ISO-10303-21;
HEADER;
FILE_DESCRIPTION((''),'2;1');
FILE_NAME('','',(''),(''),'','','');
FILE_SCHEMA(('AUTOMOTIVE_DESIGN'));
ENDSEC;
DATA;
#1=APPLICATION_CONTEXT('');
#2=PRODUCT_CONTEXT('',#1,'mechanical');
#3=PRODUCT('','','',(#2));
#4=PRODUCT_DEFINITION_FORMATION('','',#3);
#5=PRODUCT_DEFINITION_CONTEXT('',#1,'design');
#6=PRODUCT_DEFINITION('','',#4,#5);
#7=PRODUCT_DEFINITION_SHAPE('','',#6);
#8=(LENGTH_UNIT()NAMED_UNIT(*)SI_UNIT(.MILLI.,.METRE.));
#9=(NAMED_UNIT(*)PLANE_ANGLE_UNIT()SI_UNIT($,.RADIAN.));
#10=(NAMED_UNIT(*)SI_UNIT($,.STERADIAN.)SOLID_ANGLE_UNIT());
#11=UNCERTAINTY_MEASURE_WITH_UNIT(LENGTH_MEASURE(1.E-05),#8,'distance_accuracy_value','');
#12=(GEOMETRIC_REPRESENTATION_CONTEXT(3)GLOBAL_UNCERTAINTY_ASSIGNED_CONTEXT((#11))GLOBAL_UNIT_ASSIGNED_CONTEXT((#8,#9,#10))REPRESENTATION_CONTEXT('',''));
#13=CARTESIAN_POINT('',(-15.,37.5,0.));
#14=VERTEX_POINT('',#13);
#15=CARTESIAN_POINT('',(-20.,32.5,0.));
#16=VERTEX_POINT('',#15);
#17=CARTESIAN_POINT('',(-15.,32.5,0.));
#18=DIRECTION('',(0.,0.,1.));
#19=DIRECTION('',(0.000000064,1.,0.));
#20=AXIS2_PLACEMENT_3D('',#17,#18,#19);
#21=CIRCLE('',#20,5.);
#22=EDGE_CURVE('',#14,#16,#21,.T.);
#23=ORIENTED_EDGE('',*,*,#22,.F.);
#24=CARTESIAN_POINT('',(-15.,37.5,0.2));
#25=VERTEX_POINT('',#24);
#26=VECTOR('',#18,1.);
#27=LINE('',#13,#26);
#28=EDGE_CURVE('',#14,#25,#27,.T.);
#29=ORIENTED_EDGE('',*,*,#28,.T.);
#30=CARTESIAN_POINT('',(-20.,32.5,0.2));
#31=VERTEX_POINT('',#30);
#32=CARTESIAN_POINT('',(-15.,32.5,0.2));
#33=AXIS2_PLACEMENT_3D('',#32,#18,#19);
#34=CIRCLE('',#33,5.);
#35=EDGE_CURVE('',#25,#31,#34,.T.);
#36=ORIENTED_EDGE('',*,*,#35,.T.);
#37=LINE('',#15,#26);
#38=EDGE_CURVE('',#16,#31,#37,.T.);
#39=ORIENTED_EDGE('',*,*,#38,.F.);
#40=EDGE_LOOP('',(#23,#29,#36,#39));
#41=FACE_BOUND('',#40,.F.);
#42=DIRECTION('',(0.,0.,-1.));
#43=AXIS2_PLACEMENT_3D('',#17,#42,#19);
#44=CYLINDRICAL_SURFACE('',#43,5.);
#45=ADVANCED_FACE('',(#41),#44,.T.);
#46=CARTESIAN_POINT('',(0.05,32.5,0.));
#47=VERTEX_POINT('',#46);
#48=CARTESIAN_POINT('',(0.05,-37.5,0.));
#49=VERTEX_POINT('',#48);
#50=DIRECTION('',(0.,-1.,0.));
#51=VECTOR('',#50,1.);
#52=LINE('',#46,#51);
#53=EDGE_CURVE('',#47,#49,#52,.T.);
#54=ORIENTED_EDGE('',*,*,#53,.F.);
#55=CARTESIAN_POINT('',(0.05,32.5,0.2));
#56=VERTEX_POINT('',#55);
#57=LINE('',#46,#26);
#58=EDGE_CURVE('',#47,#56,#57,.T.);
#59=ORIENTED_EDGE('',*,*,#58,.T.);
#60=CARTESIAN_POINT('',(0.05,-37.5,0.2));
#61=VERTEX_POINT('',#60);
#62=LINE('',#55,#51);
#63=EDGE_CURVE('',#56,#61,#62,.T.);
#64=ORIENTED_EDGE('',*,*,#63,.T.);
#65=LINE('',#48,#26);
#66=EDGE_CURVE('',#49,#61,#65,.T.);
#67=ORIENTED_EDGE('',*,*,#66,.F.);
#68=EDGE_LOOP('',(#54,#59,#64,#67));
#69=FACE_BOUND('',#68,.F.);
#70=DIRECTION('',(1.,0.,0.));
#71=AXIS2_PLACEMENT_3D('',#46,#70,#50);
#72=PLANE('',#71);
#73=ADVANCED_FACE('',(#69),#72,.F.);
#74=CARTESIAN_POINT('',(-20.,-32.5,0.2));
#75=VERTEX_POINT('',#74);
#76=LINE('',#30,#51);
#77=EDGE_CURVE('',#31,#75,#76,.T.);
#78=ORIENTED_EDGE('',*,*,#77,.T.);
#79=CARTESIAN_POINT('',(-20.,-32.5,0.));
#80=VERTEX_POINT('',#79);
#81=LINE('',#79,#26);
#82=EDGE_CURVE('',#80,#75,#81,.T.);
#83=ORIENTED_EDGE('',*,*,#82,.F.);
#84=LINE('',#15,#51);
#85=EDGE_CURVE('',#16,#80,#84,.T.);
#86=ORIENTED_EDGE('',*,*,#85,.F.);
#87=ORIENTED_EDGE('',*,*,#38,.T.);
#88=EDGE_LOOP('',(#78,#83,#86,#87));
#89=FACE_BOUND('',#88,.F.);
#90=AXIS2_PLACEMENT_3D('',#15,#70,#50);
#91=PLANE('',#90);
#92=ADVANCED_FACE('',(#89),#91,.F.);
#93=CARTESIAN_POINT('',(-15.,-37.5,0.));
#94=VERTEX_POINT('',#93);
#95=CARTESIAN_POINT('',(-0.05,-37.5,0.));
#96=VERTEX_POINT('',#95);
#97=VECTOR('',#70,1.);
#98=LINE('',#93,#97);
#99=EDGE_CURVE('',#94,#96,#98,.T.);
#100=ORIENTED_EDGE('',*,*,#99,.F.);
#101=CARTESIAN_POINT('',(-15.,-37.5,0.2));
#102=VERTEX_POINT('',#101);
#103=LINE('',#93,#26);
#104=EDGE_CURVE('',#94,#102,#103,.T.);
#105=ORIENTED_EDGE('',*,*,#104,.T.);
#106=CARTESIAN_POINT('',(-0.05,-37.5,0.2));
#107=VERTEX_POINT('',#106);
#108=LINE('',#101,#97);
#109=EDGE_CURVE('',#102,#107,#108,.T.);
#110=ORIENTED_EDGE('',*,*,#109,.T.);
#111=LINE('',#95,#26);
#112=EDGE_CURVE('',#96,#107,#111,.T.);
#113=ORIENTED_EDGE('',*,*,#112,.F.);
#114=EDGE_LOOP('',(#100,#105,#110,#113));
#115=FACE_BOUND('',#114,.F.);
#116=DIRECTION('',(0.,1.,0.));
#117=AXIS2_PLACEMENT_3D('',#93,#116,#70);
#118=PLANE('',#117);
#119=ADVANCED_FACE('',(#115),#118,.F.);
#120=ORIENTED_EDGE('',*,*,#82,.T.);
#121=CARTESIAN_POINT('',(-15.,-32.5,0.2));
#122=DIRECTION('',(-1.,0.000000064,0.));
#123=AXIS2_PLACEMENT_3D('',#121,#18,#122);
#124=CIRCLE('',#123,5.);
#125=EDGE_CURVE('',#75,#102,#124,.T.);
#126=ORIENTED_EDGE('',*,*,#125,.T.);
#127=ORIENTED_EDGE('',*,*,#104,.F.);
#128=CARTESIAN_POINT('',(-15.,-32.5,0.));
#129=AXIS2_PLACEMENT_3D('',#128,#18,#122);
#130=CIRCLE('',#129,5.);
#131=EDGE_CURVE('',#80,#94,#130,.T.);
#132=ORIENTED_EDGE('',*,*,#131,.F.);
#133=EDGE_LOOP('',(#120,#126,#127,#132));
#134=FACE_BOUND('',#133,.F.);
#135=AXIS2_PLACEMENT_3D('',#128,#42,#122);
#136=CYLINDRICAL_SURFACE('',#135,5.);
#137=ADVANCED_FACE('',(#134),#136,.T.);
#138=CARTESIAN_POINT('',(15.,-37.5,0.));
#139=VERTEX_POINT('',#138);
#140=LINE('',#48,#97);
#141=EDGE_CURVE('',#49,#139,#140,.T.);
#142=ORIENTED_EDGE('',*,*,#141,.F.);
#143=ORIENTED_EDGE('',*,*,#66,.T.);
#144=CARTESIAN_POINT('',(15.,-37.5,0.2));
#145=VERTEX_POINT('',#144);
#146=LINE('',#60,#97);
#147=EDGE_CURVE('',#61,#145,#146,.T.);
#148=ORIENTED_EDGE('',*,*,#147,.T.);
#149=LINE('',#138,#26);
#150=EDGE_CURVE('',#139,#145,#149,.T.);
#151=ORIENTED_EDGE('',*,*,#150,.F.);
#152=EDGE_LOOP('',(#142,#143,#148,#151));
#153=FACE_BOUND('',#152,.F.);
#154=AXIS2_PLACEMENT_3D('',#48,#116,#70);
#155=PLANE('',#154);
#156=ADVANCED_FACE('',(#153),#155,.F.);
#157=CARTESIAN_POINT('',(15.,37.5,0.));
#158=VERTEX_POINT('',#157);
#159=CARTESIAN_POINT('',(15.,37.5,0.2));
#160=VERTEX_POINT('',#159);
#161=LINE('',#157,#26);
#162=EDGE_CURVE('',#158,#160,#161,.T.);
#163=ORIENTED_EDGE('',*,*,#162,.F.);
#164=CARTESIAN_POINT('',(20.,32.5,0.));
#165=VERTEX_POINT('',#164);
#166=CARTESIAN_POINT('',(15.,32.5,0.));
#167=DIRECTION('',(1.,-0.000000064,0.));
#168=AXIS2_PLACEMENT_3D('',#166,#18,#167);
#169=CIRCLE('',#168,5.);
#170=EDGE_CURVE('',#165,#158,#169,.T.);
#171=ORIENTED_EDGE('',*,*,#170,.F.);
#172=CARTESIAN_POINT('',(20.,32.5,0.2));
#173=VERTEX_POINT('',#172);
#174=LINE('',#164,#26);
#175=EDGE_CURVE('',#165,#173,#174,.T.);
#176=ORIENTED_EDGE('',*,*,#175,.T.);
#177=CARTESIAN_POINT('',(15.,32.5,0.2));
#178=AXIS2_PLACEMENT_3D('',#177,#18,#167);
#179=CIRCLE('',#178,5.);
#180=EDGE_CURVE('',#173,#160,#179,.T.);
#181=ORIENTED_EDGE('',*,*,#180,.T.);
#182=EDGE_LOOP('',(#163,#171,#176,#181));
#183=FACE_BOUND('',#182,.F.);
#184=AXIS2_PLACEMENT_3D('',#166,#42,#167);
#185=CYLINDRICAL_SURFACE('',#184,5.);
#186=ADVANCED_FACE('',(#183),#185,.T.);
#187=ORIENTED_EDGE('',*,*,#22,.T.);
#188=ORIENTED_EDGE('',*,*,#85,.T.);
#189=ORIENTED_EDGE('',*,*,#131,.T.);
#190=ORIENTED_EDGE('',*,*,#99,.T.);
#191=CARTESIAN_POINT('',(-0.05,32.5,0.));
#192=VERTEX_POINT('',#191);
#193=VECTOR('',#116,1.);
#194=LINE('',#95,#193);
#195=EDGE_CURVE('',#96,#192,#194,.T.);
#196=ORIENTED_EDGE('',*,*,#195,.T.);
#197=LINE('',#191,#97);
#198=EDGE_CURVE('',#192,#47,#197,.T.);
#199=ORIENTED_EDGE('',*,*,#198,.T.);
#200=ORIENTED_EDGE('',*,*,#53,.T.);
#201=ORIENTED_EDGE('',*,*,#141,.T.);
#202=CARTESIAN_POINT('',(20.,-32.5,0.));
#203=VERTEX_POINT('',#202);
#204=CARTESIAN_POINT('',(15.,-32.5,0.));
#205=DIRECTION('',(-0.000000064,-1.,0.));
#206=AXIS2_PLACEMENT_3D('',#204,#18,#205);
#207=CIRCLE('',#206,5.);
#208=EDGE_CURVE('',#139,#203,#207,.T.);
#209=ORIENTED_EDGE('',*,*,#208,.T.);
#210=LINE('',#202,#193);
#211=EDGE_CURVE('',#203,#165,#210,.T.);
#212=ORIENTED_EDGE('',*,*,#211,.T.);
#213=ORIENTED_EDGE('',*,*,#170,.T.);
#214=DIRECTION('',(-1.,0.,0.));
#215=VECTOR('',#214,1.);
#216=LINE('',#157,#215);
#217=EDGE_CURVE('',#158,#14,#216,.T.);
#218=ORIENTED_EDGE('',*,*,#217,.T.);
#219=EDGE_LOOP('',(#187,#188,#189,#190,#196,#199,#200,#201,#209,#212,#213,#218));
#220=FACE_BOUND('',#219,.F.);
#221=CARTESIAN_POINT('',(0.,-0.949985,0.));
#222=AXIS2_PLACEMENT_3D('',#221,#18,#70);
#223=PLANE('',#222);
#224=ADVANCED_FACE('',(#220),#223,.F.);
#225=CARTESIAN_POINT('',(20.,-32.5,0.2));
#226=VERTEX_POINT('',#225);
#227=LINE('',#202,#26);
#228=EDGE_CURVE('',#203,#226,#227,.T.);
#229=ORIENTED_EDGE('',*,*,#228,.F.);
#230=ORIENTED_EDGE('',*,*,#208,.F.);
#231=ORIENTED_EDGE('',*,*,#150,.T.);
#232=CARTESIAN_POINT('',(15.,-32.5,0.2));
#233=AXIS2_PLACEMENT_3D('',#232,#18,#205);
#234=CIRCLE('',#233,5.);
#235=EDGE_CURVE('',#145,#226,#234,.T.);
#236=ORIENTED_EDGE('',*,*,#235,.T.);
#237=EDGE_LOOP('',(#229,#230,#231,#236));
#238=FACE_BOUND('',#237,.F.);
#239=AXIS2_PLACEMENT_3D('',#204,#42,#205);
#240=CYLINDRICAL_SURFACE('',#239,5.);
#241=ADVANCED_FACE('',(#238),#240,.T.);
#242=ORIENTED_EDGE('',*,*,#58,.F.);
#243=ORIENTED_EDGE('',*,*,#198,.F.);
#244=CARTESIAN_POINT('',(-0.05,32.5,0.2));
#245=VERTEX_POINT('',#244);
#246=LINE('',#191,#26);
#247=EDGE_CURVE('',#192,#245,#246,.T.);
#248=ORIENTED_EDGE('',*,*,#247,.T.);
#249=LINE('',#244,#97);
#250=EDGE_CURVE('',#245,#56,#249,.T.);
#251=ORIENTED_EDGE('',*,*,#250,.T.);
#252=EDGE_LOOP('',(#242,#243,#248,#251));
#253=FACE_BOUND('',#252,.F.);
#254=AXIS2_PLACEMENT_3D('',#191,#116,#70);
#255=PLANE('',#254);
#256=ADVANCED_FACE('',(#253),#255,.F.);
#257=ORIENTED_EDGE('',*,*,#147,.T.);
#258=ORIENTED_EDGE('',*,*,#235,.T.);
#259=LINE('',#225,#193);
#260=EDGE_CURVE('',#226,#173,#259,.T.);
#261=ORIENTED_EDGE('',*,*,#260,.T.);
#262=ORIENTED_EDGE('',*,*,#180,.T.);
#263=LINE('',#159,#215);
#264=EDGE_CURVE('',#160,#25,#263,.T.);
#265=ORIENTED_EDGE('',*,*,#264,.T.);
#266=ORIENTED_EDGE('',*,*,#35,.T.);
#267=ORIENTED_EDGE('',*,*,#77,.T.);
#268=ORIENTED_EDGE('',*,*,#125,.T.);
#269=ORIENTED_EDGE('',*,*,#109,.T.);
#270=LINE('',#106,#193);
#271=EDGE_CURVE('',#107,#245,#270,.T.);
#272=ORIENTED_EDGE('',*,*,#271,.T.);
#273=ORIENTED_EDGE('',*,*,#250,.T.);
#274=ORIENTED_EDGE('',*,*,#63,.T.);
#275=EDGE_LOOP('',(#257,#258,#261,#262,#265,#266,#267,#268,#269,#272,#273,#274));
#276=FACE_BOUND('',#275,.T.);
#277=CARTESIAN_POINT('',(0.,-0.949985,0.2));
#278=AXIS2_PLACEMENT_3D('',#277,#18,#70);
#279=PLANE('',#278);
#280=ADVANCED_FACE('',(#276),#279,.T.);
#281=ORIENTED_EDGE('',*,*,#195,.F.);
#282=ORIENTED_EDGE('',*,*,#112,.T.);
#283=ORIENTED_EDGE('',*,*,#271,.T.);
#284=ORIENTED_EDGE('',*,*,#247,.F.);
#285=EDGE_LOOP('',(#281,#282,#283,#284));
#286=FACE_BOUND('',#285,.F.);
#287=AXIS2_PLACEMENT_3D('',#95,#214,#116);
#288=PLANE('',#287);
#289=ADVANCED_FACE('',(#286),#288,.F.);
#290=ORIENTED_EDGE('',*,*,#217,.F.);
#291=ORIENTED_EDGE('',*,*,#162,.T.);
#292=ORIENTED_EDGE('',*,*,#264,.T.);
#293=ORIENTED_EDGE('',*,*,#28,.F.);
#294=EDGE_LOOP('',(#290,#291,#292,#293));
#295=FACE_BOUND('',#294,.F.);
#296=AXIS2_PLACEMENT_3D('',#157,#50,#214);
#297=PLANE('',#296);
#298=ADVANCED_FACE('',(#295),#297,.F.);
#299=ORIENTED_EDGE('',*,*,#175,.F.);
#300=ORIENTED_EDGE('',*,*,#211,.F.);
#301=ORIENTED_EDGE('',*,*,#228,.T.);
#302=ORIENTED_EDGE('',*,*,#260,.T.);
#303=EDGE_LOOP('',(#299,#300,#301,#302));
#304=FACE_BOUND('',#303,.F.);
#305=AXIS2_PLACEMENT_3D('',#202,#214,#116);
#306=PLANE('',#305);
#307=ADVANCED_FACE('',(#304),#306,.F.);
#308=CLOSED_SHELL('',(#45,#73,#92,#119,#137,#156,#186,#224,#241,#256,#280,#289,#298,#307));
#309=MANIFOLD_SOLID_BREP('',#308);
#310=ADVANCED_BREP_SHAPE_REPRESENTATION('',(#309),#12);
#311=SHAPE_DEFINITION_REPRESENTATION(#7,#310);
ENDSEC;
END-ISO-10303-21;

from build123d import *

# Parameters (mm, degrees)
F1_DEPTH = 0.2


with BuildPart() as f1:
    # F0 (on Top) → F1 (new body)
    with BuildSketch(Plane.XY):
        with BuildLine():
            ThreePointArc((20, 32.5), (18.535534, 36.035534), (15, 37.5))
            Line((15, 37.5), (-15, 37.5))
            ThreePointArc((-15, 37.5), (-18.535534, 36.035534), (-20, 32.5))
            Line((-20, 32.5), (-20, -32.5))
            ThreePointArc((-20, -32.5), (-18.535534, -36.035534), (-15, -37.5))
            Line((-15, -37.5), (-0.05, -37.5))
            Line((-0.05, -37.5), (-0.05, 32.5))
            Line((-0.05, 32.5), (0.05, 32.5))
            Line((0.05, 32.5), (0.05, -37.5))
            Line((0.05, -37.5), (15, -37.5))
            ThreePointArc((15, -37.5), (18.535534, -36.035534), (20, -32.5))
            Line((20, -32.5), (20, 32.5))
        make_face()
    extrude(amount=F1_DEPTH)


solid = f1.part
